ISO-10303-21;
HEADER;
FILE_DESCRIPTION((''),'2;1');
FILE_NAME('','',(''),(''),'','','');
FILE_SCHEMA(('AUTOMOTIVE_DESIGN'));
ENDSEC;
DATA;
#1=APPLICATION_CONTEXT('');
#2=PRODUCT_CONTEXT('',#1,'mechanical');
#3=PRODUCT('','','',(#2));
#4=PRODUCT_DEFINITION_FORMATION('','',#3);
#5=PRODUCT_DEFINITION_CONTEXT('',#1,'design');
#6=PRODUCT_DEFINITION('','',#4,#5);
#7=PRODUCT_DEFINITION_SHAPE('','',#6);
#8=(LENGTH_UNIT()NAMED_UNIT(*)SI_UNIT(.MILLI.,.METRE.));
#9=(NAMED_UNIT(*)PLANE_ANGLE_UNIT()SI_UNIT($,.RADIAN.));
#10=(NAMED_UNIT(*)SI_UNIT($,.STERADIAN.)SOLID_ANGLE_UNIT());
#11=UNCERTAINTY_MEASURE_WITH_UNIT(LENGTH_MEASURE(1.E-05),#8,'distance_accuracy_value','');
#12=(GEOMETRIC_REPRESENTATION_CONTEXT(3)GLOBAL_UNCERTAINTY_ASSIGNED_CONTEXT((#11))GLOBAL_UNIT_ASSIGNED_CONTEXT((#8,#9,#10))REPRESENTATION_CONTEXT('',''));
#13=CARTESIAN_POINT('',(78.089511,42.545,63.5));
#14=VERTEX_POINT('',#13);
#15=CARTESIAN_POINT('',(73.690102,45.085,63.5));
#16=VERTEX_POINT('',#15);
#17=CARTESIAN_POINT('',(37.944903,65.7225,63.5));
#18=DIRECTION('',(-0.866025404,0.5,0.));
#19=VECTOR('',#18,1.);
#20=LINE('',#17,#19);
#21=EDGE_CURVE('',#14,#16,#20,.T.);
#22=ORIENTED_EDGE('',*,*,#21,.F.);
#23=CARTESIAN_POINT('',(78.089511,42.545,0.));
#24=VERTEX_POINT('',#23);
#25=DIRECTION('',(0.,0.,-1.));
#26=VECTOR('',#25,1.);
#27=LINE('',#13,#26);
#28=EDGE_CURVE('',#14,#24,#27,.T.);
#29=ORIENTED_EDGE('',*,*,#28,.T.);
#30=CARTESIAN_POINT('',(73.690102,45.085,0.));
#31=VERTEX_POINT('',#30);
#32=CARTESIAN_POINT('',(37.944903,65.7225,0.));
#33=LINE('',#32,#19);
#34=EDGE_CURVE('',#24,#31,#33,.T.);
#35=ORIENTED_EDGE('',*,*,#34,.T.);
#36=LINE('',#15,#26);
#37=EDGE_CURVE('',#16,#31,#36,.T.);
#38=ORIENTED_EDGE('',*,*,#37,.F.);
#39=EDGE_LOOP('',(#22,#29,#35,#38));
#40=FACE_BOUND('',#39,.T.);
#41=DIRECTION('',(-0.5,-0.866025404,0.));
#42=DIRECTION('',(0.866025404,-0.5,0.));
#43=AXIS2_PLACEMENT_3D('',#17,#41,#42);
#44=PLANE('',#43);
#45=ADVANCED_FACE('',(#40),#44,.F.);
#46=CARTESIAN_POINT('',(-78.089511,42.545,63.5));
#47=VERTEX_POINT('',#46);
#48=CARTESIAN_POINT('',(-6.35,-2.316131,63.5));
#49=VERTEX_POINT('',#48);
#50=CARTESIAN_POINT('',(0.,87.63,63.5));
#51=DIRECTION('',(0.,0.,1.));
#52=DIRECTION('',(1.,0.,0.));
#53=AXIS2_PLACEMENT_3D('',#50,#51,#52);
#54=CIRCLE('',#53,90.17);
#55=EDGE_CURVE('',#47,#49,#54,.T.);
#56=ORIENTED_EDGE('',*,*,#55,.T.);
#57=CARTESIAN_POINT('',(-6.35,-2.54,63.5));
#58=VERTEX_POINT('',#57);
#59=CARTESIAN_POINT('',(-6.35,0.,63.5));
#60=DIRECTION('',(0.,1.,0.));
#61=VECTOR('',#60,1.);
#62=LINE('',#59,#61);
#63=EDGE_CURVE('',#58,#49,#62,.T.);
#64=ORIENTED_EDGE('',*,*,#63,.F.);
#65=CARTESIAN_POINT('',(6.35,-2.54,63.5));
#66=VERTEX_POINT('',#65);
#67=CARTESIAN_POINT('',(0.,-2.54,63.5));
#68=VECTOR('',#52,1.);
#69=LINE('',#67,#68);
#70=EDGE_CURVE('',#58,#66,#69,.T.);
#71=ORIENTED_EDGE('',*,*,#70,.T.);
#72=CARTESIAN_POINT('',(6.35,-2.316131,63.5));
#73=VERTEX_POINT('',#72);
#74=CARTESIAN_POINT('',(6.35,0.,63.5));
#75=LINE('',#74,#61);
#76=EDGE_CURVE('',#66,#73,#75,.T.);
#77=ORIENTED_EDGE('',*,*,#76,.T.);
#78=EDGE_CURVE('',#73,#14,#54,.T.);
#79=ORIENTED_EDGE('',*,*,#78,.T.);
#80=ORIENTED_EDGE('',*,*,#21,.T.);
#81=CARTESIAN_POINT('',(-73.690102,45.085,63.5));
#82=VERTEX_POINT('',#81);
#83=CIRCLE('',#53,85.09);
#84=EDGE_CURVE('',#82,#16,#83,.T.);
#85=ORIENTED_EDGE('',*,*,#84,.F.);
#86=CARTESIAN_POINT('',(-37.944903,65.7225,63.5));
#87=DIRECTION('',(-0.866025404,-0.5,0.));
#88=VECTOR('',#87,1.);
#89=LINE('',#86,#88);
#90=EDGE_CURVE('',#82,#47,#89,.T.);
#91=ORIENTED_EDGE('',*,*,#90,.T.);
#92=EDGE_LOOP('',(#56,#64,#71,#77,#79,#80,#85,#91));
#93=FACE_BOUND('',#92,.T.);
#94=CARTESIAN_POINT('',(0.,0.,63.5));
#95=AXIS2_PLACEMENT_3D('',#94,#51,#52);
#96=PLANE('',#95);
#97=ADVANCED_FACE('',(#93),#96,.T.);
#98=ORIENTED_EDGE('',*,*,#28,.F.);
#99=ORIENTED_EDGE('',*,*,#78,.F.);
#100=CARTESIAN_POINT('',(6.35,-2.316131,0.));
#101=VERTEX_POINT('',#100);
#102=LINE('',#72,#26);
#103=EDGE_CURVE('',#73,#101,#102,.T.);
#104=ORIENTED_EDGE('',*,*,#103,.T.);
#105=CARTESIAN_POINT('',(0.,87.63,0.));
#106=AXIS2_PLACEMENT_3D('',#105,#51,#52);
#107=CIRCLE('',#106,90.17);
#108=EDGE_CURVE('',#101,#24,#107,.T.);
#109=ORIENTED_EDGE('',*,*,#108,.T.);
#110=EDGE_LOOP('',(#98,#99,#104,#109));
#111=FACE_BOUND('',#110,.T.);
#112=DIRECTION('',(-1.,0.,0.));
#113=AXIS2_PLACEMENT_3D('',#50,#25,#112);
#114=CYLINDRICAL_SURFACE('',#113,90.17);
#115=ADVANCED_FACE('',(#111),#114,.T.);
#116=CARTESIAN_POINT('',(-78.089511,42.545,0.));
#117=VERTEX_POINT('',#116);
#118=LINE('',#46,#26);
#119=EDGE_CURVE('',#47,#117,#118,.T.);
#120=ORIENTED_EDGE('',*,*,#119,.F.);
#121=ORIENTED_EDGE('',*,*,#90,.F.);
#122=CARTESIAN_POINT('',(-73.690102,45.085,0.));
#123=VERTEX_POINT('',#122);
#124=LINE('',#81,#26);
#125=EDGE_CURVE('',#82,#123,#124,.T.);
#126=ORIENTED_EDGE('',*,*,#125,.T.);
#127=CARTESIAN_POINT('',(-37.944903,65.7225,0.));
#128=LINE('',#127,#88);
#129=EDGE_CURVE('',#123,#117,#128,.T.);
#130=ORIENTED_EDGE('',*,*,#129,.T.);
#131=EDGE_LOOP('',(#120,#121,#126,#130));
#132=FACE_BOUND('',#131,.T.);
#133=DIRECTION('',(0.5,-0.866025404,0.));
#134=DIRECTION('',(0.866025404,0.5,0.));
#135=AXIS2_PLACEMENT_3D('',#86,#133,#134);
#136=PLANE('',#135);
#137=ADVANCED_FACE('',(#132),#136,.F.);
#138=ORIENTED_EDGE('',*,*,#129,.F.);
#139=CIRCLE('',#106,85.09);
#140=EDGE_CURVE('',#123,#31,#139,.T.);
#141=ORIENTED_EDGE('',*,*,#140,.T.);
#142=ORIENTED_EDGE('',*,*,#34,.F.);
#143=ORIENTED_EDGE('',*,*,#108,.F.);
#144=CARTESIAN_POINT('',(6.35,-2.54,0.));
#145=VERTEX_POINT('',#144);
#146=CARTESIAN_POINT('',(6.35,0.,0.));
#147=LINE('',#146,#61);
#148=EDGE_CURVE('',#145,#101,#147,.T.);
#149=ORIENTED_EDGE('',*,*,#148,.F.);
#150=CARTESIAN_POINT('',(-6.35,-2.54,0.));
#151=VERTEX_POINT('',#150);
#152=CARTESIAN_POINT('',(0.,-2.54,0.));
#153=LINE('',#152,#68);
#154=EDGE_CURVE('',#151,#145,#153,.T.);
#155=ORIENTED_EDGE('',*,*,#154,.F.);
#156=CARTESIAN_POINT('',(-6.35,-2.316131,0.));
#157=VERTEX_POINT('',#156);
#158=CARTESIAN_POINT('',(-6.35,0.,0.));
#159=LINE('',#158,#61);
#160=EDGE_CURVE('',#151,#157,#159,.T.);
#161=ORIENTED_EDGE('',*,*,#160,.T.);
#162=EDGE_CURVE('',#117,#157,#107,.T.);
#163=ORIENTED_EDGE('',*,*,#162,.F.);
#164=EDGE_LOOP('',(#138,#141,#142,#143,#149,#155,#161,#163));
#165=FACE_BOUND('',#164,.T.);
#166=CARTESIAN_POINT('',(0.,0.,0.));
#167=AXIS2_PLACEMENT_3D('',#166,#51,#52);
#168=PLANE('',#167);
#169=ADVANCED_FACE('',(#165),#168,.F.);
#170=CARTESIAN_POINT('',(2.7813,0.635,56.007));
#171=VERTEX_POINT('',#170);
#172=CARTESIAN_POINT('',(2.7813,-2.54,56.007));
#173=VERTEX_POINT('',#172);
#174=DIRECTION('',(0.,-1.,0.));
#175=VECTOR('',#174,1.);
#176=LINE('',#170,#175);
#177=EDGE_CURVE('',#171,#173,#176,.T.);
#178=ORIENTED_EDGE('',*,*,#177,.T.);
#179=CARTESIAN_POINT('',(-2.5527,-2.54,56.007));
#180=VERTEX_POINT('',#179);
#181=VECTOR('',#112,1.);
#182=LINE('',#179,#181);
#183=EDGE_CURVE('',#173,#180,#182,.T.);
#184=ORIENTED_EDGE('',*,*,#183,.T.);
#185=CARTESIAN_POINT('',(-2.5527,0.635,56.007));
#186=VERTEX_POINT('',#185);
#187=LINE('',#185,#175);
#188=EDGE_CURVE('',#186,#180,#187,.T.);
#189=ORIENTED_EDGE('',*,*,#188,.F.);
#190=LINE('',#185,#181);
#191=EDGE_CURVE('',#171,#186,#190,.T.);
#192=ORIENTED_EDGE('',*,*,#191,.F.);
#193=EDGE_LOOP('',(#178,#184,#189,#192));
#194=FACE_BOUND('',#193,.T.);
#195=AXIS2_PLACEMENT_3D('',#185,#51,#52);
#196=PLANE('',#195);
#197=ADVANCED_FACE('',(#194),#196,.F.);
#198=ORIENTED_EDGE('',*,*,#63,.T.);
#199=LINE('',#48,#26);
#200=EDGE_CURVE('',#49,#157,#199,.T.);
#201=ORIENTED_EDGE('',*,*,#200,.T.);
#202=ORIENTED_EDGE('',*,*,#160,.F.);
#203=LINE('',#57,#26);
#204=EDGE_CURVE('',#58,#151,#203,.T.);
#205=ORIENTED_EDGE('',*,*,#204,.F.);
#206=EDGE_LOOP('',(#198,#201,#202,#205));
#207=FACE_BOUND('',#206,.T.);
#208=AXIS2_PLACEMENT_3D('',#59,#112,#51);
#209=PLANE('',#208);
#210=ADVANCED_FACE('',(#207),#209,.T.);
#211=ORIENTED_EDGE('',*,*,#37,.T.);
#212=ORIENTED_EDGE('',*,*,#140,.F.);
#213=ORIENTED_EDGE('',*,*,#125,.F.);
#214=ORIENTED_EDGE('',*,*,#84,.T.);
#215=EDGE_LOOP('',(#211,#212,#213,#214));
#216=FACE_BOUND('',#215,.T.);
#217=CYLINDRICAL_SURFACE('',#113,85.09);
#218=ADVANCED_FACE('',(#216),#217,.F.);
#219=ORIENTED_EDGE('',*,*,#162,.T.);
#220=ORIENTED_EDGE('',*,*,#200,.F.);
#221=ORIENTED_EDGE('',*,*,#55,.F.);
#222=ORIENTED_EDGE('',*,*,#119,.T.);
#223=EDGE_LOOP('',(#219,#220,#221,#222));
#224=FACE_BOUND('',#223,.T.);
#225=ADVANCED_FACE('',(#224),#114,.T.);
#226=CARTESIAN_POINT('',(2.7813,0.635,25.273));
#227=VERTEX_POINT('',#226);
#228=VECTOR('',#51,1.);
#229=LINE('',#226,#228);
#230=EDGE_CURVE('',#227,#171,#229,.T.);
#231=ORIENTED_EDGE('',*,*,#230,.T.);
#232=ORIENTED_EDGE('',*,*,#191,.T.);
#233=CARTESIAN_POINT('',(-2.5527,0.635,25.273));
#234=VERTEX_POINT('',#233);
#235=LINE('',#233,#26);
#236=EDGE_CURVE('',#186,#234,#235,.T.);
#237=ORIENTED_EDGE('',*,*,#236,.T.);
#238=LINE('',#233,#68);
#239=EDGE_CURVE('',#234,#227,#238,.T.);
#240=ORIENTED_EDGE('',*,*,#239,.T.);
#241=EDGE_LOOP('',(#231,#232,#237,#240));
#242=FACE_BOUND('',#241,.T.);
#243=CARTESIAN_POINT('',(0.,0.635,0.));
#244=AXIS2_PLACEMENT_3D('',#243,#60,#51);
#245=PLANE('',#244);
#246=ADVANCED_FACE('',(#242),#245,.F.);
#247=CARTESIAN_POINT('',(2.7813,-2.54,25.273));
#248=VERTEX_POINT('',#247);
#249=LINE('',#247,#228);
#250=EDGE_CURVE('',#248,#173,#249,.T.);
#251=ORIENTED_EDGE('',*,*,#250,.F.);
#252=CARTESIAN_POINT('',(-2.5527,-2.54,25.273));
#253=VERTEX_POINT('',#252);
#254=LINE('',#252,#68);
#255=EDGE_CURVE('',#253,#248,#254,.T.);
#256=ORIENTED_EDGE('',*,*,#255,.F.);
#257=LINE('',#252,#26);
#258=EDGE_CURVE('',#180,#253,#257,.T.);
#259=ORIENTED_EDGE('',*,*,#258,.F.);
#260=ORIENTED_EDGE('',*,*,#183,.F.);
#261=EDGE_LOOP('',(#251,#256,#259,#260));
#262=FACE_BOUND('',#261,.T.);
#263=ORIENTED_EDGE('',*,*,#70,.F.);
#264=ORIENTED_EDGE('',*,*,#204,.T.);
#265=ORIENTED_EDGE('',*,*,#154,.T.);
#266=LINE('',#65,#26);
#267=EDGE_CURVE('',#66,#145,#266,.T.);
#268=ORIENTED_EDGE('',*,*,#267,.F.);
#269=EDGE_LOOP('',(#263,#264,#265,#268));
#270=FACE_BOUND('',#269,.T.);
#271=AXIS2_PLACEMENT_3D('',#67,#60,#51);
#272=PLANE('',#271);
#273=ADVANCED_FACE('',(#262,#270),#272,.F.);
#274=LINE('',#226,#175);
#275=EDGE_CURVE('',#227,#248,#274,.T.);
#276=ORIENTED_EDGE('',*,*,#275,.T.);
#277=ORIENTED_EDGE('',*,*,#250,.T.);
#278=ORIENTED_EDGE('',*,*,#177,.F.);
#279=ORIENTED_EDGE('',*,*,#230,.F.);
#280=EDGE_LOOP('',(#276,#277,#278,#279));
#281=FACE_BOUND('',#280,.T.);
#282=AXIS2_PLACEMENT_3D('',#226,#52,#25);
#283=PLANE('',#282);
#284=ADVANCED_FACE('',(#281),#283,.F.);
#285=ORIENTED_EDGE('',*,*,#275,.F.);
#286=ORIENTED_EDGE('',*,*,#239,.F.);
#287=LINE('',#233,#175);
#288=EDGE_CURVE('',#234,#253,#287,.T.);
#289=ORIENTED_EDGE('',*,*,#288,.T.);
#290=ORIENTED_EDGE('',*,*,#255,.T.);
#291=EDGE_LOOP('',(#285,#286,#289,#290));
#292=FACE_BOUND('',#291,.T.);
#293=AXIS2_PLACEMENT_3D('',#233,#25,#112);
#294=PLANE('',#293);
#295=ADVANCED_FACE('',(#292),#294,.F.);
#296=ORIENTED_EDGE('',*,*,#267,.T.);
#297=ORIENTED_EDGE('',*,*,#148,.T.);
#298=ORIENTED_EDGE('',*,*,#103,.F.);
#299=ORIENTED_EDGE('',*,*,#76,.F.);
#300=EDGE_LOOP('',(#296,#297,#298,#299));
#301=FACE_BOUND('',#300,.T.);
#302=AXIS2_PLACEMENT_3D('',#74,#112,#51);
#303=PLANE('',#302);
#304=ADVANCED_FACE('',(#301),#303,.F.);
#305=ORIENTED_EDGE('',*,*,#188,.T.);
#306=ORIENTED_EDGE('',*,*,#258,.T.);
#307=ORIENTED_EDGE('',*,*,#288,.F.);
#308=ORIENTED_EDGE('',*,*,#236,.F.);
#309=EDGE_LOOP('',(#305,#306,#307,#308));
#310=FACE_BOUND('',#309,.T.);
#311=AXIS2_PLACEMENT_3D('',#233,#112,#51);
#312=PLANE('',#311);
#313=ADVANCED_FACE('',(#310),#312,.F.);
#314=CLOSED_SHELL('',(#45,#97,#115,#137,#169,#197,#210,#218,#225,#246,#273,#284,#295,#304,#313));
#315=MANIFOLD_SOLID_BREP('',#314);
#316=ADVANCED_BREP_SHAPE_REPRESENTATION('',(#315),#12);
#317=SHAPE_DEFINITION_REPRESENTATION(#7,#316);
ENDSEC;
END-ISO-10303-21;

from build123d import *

# Parameters (mm, degrees)
SKETCH1_W           = 12.7
SKETCH1_H           = 5.08
BOSS_EXTRUDE1_DEPTH = 63.5
SKETCH2_W           = 5.334
SKETCH2_H           = 30.734
CUT_EXTRUDE1_DEPTH  = 3.175


with BuildPart() as part:
    # Sketch1 → Boss-Extrude1 (new body)
    with BuildSketch(Plane.XY):
        Rectangle(SKETCH1_W, SKETCH1_H)
        with BuildLine():
            Line((-73.690101608, 45.085), (-78.089510659, 42.545))
            ThreePointArc((-78.089510659, 42.545), (0, -2.54), (78.089510659, 42.545))
            Line((78.089510659, 42.545), (73.690101608, 45.085))
            ThreePointArc((73.690101608, 45.085), (0, 2.54), (-73.690101608, 45.085))
        make_face()
    extrude(amount=BOSS_EXTRUDE1_DEPTH)

    # Sketch2 → Cut-Extrude1 (cut)
    with BuildSketch(Plane.XZ.offset(2.54)):
        with Locations((0.1143, 40.64)):
            Rectangle(SKETCH2_W, SKETCH2_H)
    extrude(amount=-CUT_EXTRUDE1_DEPTH, mode=Mode.SUBTRACT)


solid = part.part
